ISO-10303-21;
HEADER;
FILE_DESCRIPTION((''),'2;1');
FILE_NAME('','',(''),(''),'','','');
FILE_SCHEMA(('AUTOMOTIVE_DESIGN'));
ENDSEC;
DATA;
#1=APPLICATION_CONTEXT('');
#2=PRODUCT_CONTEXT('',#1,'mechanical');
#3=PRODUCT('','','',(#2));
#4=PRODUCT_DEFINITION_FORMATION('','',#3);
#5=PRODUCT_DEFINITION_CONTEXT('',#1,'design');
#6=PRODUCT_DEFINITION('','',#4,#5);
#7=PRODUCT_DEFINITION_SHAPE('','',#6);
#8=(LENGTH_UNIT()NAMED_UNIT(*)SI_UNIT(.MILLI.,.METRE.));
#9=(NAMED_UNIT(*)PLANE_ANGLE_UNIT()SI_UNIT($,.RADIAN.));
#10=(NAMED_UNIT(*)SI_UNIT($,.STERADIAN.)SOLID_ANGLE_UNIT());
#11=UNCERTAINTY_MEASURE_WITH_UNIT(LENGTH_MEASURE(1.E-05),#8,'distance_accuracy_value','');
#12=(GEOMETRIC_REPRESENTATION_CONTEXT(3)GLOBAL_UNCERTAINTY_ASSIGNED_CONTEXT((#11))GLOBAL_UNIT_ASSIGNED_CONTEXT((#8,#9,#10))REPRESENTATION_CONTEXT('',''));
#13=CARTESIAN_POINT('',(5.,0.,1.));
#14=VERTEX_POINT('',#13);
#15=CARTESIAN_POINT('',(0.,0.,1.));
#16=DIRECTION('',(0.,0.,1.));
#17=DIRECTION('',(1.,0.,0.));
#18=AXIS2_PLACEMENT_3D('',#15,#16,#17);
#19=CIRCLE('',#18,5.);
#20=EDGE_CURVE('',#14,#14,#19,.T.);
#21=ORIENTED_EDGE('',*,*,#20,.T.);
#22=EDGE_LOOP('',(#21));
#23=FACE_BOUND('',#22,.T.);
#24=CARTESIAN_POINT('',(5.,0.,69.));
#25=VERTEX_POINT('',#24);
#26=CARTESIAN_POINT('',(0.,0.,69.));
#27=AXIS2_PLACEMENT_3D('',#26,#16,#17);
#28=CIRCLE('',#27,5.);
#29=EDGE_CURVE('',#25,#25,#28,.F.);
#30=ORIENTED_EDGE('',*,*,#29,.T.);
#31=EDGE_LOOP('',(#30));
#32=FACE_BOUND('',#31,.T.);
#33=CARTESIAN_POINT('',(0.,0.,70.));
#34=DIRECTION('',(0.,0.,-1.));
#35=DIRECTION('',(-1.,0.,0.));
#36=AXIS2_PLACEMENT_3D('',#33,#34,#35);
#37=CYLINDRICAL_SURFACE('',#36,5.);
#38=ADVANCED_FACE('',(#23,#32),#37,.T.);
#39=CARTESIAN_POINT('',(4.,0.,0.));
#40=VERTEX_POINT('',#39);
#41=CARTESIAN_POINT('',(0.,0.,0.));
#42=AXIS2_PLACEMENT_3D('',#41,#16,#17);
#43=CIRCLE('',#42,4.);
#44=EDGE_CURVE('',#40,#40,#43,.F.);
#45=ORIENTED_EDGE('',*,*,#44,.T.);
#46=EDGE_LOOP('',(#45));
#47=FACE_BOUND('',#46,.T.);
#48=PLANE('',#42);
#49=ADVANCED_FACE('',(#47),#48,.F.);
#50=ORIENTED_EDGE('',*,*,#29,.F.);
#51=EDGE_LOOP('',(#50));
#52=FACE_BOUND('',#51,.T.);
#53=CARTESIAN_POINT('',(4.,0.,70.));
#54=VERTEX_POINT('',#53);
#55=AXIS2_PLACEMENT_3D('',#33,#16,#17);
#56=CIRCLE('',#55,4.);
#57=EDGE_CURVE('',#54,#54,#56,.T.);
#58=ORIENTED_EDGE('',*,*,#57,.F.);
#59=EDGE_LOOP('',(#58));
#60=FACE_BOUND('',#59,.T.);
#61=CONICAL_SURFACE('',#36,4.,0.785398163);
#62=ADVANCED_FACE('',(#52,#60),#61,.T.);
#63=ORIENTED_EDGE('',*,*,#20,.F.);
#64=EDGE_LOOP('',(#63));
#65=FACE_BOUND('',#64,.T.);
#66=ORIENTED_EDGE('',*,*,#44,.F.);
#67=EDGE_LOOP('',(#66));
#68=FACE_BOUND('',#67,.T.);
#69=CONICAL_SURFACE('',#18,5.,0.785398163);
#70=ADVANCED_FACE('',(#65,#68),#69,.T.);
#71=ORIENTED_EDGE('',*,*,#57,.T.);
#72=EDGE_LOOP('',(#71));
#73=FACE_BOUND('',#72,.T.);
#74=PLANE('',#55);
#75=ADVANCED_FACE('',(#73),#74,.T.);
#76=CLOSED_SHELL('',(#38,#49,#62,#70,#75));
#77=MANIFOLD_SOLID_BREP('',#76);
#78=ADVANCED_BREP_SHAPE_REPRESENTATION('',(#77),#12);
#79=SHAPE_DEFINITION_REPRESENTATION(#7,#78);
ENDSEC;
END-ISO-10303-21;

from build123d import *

# Parameters (mm, degrees)
SCHIZZO1_R                   = 5
ESTRUSIONE_ESTRUSIONE1_DEPTH = 70
SMUSSO1_SIZE                 = 1


with BuildPart() as part:
    # Schizzo1 → Estrusione-Estrusione1 (new body)
    with BuildSketch(Plane.XY):
        Circle(SCHIZZO1_R)
    extrude(amount=ESTRUSIONE_ESTRUSIONE1_DEPTH)

    # Smusso1
    smusso1_edges = [part.edges().sort_by_distance(p)[0] for p in [
        (-5, 0, 0),
        (-5, 0, 70),
    ]]
    chamfer(smusso1_edges, length=SMUSSO1_SIZE)


solid = part.part
